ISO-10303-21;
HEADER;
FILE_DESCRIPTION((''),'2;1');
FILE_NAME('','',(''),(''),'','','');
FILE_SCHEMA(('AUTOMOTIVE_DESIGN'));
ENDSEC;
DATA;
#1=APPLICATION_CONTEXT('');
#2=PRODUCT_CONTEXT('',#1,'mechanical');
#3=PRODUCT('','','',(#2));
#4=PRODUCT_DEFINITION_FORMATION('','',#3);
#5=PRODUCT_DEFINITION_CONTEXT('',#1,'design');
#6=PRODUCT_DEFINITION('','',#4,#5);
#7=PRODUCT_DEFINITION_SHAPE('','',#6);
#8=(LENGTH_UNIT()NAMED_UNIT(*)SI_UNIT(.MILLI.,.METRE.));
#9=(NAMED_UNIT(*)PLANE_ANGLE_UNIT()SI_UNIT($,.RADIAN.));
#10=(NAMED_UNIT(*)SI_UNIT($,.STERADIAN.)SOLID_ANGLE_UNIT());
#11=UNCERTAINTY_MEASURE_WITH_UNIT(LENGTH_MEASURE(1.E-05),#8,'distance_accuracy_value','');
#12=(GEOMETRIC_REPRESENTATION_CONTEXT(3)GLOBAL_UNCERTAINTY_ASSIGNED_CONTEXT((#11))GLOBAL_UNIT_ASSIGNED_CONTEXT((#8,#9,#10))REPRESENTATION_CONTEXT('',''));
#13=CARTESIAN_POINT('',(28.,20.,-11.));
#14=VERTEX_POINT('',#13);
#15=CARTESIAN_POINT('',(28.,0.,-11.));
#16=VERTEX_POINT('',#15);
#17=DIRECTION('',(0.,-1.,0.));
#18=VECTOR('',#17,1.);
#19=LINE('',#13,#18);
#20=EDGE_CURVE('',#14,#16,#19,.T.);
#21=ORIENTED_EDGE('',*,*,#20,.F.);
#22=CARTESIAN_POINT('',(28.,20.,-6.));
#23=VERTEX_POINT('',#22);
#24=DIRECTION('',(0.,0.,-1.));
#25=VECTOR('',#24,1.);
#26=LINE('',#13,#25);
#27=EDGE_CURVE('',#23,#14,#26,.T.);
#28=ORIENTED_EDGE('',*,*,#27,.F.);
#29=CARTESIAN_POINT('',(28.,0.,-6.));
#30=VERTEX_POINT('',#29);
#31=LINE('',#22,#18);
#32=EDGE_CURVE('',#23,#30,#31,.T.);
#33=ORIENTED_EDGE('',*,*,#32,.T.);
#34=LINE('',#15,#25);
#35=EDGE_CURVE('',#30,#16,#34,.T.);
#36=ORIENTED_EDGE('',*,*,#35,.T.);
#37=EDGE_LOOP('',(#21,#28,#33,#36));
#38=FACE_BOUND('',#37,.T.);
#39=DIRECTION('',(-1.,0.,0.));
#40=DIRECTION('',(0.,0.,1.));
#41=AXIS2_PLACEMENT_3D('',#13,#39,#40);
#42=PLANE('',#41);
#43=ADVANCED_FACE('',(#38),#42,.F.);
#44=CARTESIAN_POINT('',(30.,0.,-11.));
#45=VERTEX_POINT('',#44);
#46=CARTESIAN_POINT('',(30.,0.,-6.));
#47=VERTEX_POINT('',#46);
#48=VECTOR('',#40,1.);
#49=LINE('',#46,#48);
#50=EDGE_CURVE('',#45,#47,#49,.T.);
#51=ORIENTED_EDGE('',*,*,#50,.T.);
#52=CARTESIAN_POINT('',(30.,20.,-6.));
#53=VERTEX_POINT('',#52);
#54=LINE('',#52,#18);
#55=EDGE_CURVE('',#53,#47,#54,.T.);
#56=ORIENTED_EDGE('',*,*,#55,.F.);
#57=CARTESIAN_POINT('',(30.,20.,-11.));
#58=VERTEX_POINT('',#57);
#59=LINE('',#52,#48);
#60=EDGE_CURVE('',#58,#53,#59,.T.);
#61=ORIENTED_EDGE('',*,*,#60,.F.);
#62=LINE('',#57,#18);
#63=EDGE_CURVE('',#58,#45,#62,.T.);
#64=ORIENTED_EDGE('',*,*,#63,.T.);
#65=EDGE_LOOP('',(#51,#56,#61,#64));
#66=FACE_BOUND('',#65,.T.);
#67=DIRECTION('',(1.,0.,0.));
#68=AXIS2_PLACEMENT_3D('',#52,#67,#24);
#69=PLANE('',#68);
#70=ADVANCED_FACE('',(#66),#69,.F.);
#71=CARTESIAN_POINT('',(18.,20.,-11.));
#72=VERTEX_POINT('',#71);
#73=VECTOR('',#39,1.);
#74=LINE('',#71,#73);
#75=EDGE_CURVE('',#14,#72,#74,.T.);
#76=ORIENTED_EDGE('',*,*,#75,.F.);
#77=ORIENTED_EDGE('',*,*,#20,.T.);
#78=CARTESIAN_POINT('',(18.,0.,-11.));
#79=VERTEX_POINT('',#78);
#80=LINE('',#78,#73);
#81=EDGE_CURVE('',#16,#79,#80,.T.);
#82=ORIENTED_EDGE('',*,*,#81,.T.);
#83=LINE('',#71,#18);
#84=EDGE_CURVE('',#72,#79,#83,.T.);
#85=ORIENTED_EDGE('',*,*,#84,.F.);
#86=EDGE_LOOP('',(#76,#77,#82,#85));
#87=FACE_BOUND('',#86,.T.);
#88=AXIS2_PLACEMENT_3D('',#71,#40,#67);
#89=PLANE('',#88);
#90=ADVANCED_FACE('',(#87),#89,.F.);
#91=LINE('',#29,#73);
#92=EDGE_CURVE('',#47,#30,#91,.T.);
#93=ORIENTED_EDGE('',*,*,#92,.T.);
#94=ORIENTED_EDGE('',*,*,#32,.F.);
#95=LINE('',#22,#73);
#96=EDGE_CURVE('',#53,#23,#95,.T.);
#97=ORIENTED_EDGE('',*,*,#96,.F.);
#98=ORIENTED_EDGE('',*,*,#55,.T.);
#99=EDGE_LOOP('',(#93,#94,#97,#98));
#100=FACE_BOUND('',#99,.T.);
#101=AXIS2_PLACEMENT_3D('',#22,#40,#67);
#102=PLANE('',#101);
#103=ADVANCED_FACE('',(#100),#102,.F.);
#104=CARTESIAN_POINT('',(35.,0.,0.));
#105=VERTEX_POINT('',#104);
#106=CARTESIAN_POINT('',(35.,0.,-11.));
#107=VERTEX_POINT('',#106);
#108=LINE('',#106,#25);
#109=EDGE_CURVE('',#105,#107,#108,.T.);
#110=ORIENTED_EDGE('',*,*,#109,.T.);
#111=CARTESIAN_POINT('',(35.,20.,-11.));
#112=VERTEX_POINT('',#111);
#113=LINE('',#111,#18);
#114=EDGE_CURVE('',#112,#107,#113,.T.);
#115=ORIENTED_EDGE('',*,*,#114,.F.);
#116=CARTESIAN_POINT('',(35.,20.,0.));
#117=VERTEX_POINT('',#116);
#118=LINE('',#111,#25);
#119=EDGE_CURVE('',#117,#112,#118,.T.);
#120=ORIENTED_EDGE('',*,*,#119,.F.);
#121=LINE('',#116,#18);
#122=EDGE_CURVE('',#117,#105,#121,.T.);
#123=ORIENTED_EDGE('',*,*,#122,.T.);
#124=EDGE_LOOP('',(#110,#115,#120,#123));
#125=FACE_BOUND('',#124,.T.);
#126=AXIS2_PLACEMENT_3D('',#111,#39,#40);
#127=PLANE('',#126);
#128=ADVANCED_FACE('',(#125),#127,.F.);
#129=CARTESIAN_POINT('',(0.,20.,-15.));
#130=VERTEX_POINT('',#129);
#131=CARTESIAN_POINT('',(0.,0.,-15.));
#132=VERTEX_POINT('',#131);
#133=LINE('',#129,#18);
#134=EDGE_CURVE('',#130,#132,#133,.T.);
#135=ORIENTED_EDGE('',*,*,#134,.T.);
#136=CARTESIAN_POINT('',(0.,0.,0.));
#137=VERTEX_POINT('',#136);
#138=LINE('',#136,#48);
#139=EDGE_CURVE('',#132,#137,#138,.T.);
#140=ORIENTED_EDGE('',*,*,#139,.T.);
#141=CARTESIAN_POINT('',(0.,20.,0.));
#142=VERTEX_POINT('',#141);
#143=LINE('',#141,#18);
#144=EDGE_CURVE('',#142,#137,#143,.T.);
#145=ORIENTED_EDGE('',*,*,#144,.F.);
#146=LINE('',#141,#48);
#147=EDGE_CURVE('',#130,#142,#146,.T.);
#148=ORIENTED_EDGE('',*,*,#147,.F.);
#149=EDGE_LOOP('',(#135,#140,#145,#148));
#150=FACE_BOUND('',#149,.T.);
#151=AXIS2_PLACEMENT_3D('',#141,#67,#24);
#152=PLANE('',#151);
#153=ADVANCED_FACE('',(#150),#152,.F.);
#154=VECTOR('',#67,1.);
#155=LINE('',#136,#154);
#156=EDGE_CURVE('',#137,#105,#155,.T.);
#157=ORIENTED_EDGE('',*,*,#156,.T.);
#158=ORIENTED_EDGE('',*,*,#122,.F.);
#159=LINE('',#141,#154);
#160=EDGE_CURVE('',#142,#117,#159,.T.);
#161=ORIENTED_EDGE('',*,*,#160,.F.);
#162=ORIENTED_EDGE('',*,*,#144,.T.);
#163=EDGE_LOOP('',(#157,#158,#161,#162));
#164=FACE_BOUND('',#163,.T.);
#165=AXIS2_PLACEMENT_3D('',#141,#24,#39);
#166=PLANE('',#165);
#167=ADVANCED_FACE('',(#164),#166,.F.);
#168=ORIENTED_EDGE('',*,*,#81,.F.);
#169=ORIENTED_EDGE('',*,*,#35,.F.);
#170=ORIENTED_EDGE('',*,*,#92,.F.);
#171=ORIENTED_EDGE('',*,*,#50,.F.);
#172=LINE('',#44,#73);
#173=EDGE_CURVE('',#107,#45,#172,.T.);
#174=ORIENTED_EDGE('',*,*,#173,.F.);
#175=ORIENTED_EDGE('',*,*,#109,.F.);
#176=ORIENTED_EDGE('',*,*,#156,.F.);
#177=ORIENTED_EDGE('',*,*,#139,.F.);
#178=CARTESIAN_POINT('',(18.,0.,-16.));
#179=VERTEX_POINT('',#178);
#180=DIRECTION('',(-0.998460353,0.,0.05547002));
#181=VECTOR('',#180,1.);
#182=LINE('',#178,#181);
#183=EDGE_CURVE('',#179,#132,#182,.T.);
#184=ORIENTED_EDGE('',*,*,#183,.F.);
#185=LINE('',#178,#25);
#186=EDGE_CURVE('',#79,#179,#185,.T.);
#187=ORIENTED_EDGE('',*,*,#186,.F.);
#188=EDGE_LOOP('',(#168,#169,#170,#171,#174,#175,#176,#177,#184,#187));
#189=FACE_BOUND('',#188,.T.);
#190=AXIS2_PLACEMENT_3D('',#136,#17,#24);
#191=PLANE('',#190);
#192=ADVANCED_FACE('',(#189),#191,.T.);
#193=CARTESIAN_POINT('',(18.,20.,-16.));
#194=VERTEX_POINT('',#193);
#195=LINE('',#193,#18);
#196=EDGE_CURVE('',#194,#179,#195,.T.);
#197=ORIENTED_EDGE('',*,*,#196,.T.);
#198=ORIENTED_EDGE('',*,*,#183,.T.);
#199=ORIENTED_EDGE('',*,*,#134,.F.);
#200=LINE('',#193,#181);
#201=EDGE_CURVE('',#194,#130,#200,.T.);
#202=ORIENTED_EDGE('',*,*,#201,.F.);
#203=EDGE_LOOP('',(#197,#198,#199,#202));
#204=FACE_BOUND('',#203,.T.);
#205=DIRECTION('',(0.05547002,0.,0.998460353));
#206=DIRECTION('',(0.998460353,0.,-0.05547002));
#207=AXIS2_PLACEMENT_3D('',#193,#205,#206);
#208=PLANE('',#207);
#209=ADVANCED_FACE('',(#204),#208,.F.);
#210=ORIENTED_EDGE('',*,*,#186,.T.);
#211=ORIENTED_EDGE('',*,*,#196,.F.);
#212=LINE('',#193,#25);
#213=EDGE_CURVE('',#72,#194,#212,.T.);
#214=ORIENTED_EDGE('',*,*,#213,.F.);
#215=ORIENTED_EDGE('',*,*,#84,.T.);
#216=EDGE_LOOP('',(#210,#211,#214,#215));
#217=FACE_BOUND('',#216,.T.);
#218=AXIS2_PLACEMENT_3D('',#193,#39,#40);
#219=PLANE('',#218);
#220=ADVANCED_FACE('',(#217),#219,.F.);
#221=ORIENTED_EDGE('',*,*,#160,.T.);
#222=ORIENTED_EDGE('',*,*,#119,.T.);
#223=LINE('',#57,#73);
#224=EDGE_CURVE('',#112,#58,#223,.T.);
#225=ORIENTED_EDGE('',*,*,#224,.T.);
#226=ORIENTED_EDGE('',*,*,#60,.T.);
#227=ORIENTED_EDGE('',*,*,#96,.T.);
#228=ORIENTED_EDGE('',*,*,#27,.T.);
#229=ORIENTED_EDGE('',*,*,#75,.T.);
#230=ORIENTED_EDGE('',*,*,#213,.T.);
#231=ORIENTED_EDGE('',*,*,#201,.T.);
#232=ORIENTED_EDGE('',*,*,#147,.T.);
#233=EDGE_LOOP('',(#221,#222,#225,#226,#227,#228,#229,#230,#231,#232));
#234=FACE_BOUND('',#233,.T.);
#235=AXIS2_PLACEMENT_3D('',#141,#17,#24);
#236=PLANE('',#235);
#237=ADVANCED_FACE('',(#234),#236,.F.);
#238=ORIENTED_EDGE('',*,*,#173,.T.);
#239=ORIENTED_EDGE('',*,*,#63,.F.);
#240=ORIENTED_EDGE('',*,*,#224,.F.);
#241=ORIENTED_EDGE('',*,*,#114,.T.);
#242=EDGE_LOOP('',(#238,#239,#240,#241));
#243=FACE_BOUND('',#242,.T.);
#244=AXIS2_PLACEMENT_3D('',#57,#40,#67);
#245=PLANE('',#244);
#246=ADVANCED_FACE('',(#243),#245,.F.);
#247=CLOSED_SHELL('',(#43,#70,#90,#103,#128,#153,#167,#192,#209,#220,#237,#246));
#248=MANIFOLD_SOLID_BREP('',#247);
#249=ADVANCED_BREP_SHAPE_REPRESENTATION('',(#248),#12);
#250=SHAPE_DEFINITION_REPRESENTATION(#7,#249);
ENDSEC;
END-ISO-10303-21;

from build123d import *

# Parameters (mm, degrees)
BOSS_EXTRUDE1_DEPTH = 20


with BuildPart() as part:
    # Sketch1 → Boss-Extrude1 (new body)
    with BuildSketch(Plane(origin=(0, 0, 0), x_dir=(1, 0, 0), z_dir=(0, 1, 0))):
        Polygon((0, 0), (35, 0), (35, 11), (30, 11), (30, 6), (28, 6), (28, 11), (18, 11), (18, 16), (0, 15), align=None)
    extrude(amount=BOSS_EXTRUDE1_DEPTH)


solid = part.part
